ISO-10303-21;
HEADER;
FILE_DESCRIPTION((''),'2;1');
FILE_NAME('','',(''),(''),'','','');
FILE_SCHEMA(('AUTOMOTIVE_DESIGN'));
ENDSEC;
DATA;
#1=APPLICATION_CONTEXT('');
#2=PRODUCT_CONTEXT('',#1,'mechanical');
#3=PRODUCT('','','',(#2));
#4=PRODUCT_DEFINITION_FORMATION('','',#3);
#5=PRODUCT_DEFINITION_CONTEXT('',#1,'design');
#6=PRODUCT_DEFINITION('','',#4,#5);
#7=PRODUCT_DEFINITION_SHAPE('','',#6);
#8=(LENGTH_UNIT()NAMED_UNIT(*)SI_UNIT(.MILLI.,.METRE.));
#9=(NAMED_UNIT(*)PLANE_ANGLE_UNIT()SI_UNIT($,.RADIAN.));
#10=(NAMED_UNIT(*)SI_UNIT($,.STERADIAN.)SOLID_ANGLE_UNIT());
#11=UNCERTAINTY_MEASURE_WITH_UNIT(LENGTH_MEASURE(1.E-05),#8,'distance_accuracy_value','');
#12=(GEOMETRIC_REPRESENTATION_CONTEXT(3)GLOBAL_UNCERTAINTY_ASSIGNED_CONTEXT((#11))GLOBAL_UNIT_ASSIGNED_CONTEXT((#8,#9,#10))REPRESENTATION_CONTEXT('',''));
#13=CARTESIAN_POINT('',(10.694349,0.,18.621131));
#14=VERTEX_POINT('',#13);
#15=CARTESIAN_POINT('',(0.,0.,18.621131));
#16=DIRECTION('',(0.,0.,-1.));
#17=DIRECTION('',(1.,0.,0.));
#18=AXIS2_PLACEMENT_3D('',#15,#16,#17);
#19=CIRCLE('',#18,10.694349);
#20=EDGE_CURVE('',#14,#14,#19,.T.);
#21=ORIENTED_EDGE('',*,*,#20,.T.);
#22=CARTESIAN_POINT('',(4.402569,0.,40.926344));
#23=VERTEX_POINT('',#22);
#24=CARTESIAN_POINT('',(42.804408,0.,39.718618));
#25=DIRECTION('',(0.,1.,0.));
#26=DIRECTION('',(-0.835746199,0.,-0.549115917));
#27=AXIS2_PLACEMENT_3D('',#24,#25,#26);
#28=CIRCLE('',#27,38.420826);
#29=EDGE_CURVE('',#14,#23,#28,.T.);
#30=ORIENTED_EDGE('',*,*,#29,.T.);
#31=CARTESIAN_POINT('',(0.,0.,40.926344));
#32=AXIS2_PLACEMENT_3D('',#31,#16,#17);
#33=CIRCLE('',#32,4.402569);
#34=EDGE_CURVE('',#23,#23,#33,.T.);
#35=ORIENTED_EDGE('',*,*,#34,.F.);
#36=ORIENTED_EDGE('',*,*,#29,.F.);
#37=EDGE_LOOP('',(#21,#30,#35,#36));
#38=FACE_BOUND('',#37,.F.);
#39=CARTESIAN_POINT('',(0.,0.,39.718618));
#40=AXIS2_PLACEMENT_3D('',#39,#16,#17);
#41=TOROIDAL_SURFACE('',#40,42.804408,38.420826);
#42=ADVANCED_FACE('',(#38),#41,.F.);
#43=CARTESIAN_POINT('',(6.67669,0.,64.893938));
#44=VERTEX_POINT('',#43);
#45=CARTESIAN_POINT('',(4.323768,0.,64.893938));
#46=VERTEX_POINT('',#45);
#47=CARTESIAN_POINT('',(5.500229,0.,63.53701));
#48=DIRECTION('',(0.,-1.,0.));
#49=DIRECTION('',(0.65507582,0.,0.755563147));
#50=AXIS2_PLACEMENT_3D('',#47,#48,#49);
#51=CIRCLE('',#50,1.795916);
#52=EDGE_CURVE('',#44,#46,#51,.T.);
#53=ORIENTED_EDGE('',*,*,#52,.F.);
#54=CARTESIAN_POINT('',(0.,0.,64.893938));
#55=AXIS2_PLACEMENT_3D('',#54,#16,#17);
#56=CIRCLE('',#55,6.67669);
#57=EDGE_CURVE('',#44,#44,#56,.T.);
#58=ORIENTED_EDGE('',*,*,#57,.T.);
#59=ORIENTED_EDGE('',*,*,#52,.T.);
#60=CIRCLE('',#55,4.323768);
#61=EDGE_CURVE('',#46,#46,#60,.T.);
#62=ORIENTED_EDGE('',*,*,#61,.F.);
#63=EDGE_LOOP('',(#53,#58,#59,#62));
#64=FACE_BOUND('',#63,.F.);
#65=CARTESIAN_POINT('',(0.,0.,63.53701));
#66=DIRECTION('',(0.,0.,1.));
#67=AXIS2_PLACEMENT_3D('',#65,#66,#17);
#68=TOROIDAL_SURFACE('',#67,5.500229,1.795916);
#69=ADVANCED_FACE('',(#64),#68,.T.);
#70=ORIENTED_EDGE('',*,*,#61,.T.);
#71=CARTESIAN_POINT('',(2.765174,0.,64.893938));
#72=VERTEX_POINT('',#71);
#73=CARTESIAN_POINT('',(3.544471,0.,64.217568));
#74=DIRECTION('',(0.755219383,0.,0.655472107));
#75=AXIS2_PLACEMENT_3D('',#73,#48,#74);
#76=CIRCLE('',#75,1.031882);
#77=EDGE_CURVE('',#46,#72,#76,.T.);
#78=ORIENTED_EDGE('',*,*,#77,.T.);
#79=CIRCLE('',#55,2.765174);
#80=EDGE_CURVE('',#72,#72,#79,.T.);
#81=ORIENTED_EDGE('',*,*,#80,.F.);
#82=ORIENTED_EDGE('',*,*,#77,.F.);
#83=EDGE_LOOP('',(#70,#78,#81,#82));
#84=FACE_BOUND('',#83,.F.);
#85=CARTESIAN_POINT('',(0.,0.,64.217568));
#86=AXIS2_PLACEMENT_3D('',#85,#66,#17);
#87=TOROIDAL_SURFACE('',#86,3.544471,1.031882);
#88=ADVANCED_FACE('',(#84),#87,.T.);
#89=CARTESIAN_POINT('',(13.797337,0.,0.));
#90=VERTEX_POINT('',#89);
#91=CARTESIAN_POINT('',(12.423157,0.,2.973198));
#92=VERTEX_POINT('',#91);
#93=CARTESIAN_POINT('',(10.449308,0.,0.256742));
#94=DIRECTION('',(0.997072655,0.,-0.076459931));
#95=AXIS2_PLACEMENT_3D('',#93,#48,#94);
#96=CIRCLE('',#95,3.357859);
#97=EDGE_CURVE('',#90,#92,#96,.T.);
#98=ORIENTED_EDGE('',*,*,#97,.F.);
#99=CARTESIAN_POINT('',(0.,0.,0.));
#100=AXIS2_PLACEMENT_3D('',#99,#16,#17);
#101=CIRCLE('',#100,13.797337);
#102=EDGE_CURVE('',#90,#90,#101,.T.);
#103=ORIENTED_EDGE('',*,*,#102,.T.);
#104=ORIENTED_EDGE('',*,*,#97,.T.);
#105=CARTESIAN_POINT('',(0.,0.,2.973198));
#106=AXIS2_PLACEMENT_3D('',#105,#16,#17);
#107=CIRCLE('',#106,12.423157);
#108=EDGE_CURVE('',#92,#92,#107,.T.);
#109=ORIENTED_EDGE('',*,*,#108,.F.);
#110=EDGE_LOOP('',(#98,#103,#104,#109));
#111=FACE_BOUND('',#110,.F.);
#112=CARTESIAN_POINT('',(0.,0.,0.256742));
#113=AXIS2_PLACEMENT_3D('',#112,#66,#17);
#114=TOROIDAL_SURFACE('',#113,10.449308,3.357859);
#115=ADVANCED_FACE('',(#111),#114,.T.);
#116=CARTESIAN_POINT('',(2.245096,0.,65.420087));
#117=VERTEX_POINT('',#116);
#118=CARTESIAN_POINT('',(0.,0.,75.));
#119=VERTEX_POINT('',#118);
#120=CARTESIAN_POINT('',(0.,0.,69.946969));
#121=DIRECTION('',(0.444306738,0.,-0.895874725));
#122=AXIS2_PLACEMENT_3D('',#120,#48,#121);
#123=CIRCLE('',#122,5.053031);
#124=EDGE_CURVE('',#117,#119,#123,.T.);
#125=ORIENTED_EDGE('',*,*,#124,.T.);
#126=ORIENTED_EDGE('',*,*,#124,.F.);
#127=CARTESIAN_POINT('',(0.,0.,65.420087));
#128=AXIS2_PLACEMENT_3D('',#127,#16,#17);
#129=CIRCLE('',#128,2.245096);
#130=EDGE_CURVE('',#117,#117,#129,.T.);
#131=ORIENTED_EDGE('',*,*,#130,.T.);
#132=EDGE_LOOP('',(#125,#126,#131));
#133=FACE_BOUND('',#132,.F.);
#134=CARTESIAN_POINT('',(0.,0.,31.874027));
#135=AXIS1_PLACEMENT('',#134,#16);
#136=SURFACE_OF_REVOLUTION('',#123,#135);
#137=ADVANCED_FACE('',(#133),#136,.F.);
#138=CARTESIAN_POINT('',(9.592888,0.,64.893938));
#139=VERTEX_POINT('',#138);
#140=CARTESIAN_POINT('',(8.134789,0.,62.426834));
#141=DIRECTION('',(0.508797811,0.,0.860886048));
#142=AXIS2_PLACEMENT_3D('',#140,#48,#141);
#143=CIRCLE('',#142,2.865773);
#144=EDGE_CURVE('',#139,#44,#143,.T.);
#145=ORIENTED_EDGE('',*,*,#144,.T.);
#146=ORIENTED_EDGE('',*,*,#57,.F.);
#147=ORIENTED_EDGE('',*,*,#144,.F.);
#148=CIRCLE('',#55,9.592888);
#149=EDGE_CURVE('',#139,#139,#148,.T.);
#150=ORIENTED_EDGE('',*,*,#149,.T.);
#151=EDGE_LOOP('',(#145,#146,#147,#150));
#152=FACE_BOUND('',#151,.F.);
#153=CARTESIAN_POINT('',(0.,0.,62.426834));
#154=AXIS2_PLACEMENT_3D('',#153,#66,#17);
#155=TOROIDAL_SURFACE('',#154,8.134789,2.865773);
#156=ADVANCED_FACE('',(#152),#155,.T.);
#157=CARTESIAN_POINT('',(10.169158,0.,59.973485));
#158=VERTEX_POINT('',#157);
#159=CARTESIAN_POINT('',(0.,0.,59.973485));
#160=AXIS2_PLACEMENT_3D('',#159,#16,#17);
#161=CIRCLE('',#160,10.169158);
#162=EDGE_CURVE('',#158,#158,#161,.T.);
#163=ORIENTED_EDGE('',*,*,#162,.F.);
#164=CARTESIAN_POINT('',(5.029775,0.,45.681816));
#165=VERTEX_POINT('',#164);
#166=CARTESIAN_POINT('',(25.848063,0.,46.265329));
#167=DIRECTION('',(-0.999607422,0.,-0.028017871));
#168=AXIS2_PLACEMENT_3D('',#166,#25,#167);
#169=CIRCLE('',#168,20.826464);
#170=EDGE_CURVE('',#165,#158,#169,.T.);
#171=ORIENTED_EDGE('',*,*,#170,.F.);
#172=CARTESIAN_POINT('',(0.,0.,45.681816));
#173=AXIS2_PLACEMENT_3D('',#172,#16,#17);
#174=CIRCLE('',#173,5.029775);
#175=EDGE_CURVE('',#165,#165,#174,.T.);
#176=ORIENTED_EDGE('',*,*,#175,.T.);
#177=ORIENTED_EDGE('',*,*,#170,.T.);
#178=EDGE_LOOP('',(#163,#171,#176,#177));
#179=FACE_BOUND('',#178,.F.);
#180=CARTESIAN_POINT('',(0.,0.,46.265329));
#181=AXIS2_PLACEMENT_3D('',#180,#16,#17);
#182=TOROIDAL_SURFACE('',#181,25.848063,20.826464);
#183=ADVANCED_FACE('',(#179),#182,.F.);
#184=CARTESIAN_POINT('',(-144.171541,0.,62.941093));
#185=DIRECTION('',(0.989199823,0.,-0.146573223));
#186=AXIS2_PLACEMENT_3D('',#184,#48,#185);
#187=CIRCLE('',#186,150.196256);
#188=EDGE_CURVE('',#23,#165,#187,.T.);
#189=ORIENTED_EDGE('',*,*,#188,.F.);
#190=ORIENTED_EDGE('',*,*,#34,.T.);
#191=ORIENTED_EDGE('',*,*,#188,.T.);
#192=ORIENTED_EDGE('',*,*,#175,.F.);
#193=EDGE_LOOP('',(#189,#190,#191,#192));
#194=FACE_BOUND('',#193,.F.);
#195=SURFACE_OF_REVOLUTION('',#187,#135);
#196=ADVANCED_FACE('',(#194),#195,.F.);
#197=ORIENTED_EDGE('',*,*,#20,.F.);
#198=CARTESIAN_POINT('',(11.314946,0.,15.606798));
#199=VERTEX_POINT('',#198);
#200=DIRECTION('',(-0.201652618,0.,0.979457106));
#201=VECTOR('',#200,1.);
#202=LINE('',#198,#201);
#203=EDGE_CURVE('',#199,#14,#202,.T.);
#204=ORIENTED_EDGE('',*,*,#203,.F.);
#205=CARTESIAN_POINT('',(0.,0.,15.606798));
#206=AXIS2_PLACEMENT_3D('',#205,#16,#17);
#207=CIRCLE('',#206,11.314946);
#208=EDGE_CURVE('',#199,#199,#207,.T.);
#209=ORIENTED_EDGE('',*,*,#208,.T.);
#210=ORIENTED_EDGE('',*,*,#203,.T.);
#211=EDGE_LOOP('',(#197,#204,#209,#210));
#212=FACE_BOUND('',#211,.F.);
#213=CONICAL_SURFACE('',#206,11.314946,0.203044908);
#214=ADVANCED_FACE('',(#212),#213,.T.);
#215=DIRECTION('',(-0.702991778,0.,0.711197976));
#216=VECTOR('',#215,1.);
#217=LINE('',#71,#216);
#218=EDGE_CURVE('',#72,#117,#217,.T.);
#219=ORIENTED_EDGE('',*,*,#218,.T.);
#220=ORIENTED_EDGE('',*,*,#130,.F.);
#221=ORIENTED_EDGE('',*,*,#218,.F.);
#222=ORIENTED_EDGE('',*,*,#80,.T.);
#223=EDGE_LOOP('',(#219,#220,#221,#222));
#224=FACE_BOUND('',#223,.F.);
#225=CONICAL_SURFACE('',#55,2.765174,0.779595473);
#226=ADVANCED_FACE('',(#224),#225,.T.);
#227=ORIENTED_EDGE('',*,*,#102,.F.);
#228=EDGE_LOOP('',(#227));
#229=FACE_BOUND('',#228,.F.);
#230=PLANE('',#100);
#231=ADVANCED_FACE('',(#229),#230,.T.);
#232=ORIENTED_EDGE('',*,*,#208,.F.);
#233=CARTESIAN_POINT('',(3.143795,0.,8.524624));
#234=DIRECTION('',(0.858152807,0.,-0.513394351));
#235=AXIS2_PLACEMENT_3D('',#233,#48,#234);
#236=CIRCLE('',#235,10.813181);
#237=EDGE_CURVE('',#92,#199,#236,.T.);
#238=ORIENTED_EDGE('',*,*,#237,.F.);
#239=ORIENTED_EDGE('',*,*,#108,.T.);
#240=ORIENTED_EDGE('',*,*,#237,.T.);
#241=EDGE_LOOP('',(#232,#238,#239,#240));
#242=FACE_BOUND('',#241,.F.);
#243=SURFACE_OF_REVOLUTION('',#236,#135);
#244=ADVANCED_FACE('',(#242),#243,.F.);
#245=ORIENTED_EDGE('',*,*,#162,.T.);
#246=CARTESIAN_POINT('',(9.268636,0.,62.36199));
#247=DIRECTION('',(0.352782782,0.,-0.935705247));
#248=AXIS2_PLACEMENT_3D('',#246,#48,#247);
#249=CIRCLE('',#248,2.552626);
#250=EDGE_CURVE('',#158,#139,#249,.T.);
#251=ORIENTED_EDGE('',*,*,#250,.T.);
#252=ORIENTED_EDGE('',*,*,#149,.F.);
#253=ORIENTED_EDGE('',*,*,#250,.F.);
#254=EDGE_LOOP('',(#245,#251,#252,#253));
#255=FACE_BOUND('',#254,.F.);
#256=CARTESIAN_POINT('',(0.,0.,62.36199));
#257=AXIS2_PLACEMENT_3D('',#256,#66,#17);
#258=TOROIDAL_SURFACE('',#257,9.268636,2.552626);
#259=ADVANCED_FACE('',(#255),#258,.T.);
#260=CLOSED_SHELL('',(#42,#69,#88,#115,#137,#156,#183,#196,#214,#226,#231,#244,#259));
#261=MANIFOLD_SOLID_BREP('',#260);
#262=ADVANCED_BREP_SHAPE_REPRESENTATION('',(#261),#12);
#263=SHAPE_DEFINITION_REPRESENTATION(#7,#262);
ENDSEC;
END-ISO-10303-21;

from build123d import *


with BuildPart() as f1:
    # F0 (on Front) → F1 (revolve)
    with BuildSketch(Plane.XZ):
        with BuildLine():
            Line((0, 63.748053), (0, 0))
            Line((0, 0), (13.797337, 0))
            ThreePointArc((13.797337, 0), (13.497352, 1.665515), (12.423157, 2.973198))
            ThreePointArc((12.423157, 2.973198), (13.915613, 9.469521), (11.314946, 15.606798))
            Line((11.314946, 15.606798), (10.694349, 18.621131))
            ThreePointArc((10.694349, 18.621131), (5.826542, 29.288025), (4.402569, 40.926344))
            ThreePointArc((4.402569, 40.926344), (4.735157, 43.301576), (5.029775, 45.681816))
            ThreePointArc((5.029775, 45.681816), (6.250251, 53.312837), (10.169158, 59.973485))
            ThreePointArc((10.169158, 59.973485), (11.803933, 62.658917), (9.592888, 64.893938))
            Line((9.592888, 64.893938), (6.67669, 64.893938))
            Line((6.67669, 64.893938), (4.323768, 64.893938))
            Line((4.323768, 64.893938), (2.765174, 64.893938))
            Line((2.765174, 64.893938), (0, 64.893938))
            Line((0, 64.893938), (0, 63.748053))
        make_face()
        with BuildLine():
            Line((0, 75), (0, 64.893938))
            Line((0, 64.893938), (2.765174, 64.893938))
            Line((2.765174, 64.893938), (2.245096, 65.420087))
            ThreePointArc((2.245096, 65.420087), (4.919736, 71.099931), (0, 75))
        make_face()
        with BuildLine():
            ThreePointArc((4.323768, 64.893938), (3.544471, 65.24945), (2.765174, 64.893938))
            Line((2.765174, 64.893938), (4.323768, 64.893938))
        make_face()
        with BuildLine():
            ThreePointArc((6.67669, 64.893938), (5.500229, 65.332926), (4.323768, 64.893938))
            Line((4.323768, 64.893938), (6.67669, 64.893938))
        make_face()
        with BuildLine():
            ThreePointArc((9.592888, 64.893938), (8.134789, 65.292607), (6.67669, 64.893938))
            Line((6.67669, 64.893938), (9.592888, 64.893938))
        make_face()
    revolve(axis=Axis((0, 0, 31.874027), (0, 0, -1)))


solid = f1.part
